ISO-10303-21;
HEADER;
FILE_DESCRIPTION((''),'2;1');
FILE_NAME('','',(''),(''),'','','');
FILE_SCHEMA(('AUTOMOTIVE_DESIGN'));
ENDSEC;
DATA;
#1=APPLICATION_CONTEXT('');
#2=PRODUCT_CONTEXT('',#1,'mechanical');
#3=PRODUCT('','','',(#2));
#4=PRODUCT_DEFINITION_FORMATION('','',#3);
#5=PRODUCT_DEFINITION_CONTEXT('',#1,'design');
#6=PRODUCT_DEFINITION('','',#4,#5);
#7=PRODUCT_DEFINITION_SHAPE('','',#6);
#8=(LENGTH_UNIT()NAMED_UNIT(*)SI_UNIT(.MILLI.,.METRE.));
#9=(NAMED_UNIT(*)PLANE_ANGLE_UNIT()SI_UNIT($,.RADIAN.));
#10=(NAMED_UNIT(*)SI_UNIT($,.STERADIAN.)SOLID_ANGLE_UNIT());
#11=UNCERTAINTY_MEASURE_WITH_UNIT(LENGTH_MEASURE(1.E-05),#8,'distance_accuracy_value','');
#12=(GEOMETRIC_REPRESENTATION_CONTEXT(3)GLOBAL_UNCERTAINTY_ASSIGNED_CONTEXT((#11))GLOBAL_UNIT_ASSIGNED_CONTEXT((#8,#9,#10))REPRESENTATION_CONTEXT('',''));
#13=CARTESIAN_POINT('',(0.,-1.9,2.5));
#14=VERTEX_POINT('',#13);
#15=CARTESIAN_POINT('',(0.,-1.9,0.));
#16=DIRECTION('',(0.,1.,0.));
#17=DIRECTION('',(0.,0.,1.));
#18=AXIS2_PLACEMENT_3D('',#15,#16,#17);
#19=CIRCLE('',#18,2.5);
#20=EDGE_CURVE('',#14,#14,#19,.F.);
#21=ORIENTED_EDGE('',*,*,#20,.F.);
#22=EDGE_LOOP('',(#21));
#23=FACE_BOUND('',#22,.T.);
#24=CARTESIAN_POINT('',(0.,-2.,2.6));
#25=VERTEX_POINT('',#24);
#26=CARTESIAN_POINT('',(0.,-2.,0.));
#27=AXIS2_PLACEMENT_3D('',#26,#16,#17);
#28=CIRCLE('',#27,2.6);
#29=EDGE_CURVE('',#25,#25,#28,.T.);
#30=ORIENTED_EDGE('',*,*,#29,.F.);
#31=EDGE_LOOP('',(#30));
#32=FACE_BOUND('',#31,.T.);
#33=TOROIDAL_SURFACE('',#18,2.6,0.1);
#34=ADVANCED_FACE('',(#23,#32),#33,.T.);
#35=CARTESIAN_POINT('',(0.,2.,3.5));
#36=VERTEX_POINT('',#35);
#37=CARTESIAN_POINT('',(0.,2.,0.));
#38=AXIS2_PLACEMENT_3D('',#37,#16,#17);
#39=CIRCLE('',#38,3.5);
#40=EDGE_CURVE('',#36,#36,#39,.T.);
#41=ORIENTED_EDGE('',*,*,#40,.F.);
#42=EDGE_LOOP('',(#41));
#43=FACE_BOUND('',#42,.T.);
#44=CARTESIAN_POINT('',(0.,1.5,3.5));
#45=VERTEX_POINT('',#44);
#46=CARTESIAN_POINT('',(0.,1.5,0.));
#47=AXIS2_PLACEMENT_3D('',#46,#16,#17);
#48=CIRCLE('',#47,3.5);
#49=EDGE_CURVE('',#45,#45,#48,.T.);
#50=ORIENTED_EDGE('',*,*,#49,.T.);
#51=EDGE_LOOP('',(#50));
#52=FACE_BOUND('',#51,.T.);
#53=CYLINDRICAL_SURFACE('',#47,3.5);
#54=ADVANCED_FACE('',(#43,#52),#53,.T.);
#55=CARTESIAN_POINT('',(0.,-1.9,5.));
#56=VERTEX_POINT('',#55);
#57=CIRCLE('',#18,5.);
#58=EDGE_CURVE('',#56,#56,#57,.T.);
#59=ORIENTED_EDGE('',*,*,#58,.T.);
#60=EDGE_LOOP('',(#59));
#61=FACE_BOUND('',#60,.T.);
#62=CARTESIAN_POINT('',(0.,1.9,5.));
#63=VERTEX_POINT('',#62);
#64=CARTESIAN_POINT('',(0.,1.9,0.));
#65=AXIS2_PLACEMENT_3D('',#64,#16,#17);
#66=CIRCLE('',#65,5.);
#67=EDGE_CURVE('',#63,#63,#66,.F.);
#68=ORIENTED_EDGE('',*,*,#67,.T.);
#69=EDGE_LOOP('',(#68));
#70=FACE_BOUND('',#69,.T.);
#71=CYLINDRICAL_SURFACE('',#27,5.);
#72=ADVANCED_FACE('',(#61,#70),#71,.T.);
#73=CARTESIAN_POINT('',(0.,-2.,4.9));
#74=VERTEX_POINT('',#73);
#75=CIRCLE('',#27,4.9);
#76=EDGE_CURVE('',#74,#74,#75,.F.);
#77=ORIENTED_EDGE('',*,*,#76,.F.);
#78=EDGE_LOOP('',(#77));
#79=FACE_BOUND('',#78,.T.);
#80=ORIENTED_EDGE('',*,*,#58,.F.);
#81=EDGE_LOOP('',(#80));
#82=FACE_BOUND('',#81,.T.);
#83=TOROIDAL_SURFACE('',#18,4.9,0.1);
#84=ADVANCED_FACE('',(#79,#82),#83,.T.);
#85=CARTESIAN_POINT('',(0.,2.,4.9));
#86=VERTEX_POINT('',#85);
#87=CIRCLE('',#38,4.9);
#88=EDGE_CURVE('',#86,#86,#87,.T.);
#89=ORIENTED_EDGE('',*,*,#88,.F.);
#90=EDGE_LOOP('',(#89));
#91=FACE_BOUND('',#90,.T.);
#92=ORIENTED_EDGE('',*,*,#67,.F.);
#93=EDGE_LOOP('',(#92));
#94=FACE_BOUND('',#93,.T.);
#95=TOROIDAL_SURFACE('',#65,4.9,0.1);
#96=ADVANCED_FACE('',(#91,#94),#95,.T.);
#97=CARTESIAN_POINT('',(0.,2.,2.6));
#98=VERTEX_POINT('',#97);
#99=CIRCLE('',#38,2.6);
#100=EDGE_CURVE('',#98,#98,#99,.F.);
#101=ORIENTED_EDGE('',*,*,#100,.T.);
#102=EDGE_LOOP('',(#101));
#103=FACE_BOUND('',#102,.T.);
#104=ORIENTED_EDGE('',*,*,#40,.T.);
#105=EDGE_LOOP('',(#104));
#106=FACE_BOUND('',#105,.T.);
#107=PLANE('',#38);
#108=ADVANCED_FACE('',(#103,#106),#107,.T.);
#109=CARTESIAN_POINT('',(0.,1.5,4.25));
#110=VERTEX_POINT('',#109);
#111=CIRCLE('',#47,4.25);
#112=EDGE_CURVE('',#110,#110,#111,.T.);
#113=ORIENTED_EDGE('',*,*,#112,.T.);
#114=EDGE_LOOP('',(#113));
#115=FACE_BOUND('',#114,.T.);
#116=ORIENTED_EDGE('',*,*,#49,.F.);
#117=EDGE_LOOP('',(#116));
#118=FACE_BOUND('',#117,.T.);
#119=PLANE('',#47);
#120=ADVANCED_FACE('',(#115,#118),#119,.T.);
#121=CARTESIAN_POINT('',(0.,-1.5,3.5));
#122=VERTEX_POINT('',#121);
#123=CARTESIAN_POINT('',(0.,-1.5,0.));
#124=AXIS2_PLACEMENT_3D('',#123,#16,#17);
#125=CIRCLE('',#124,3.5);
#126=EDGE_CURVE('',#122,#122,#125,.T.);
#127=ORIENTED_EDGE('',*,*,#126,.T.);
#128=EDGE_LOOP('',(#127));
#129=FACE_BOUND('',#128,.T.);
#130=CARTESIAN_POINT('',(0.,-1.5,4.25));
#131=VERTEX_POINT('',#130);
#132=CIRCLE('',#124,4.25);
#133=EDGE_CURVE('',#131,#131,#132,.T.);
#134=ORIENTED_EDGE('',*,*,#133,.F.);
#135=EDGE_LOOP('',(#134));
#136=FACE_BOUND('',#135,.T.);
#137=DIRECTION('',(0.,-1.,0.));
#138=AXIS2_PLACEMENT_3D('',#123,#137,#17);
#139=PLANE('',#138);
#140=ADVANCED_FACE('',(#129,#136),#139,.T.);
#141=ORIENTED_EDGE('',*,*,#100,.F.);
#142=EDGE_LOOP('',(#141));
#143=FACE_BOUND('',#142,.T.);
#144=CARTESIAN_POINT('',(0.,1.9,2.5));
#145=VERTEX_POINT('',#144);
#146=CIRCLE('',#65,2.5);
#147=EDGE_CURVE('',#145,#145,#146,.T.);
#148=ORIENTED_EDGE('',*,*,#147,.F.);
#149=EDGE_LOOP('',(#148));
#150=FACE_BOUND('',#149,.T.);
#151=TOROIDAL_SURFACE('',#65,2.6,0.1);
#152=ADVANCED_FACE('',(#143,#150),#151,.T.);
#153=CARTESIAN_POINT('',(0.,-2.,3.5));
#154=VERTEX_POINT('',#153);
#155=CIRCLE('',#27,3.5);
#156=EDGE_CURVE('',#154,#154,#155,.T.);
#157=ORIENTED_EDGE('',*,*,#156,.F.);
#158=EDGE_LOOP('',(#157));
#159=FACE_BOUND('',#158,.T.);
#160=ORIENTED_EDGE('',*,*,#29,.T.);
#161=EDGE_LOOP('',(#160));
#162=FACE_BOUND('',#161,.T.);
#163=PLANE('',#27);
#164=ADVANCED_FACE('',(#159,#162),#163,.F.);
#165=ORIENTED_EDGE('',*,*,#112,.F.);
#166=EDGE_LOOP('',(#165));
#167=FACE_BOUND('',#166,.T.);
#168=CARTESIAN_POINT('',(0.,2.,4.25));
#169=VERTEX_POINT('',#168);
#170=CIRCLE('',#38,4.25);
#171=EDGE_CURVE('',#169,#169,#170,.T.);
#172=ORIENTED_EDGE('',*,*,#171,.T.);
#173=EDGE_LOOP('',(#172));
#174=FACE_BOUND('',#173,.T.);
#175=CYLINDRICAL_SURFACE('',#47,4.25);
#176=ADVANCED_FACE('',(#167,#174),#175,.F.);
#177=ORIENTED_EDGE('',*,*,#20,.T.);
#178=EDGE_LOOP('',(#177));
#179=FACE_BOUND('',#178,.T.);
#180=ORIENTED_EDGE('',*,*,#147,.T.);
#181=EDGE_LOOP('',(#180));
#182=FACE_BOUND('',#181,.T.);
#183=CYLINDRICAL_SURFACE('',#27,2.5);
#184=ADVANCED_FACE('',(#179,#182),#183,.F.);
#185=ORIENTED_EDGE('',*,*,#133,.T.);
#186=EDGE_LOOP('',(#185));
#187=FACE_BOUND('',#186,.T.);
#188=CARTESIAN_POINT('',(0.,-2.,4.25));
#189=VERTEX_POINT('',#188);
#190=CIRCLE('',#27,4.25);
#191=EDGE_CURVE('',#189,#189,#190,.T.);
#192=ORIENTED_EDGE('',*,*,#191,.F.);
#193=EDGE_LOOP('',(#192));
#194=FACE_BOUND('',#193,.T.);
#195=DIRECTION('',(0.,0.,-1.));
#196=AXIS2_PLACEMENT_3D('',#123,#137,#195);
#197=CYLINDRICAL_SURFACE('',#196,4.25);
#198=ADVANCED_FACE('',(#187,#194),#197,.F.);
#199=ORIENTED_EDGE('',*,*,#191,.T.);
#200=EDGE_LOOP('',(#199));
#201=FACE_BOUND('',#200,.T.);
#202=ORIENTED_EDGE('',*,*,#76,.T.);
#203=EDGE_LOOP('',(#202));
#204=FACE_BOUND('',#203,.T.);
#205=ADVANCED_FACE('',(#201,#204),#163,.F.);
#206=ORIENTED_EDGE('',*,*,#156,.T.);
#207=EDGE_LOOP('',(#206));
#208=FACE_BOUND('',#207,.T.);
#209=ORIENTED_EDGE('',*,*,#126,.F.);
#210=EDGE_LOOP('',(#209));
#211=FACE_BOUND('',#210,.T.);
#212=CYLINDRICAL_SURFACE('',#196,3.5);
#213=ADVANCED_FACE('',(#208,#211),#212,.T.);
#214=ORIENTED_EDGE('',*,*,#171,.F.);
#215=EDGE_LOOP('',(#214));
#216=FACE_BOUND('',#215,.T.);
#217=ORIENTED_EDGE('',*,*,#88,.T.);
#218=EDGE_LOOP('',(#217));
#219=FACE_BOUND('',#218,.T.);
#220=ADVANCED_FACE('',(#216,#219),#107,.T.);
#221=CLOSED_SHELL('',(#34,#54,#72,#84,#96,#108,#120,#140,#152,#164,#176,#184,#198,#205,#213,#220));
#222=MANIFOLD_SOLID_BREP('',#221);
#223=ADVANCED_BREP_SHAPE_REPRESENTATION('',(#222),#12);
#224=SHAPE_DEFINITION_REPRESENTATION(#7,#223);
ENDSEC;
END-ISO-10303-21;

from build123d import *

# Parameters (mm, degrees)
BOSS_EXTRUDE1_DEPTH      = 2
BOSS_EXTRUDE1_DEPTH_BACK = 2
SKETCH1_R                = 5
SKETCH1_R_2              = 2.5
FILLET1_R                = 0.1
SKETCH2_R                = 4.25
SKETCH2_R_2              = 3.5
CUT_EXTRUDE1_DEPTH       = 0.5


with BuildPart() as part:
    # Sketch1 → Boss-Extrude1 (new, two sides: drawn at the far end of the back side and taken through both)
    with BuildSketch(Plane(origin=(0, 0, 0), x_dir=(1, 0, 0), z_dir=(0, 1, 0)).offset(-BOSS_EXTRUDE1_DEPTH_BACK)):
        Circle(SKETCH1_R)
        Circle(SKETCH1_R_2, mode=Mode.SUBTRACT)
    extrude(amount=BOSS_EXTRUDE1_DEPTH + BOSS_EXTRUDE1_DEPTH_BACK)

    # Fillet1
    fillet1_edges = [part.edges().sort_by_distance(p)[0] for p in [
        (-2.5, -2, 0),
        (-5, -2, 0),
        (-5, 2, 0),
        (-2.5, 2, 0),
    ]]
    fillet(fillet1_edges, radius=FILLET1_R)

    # Sketch2 → Cut-Extrude1 (cut)
    with BuildSketch(Plane(origin=(0, 2, 0), x_dir=(1, 0, 0), z_dir=(0, 1, 0))):
        Circle(SKETCH2_R)
        Circle(SKETCH2_R_2, mode=Mode.SUBTRACT)
    cut_extrude1 = extrude(amount=-CUT_EXTRUDE1_DEPTH, mode=Mode.SUBTRACT)

    # Mirror1: Cut-Extrude1 across plane
    add(cut_extrude1.mirror(Plane.ZX), mode=Mode.SUBTRACT)


solid = part.part
